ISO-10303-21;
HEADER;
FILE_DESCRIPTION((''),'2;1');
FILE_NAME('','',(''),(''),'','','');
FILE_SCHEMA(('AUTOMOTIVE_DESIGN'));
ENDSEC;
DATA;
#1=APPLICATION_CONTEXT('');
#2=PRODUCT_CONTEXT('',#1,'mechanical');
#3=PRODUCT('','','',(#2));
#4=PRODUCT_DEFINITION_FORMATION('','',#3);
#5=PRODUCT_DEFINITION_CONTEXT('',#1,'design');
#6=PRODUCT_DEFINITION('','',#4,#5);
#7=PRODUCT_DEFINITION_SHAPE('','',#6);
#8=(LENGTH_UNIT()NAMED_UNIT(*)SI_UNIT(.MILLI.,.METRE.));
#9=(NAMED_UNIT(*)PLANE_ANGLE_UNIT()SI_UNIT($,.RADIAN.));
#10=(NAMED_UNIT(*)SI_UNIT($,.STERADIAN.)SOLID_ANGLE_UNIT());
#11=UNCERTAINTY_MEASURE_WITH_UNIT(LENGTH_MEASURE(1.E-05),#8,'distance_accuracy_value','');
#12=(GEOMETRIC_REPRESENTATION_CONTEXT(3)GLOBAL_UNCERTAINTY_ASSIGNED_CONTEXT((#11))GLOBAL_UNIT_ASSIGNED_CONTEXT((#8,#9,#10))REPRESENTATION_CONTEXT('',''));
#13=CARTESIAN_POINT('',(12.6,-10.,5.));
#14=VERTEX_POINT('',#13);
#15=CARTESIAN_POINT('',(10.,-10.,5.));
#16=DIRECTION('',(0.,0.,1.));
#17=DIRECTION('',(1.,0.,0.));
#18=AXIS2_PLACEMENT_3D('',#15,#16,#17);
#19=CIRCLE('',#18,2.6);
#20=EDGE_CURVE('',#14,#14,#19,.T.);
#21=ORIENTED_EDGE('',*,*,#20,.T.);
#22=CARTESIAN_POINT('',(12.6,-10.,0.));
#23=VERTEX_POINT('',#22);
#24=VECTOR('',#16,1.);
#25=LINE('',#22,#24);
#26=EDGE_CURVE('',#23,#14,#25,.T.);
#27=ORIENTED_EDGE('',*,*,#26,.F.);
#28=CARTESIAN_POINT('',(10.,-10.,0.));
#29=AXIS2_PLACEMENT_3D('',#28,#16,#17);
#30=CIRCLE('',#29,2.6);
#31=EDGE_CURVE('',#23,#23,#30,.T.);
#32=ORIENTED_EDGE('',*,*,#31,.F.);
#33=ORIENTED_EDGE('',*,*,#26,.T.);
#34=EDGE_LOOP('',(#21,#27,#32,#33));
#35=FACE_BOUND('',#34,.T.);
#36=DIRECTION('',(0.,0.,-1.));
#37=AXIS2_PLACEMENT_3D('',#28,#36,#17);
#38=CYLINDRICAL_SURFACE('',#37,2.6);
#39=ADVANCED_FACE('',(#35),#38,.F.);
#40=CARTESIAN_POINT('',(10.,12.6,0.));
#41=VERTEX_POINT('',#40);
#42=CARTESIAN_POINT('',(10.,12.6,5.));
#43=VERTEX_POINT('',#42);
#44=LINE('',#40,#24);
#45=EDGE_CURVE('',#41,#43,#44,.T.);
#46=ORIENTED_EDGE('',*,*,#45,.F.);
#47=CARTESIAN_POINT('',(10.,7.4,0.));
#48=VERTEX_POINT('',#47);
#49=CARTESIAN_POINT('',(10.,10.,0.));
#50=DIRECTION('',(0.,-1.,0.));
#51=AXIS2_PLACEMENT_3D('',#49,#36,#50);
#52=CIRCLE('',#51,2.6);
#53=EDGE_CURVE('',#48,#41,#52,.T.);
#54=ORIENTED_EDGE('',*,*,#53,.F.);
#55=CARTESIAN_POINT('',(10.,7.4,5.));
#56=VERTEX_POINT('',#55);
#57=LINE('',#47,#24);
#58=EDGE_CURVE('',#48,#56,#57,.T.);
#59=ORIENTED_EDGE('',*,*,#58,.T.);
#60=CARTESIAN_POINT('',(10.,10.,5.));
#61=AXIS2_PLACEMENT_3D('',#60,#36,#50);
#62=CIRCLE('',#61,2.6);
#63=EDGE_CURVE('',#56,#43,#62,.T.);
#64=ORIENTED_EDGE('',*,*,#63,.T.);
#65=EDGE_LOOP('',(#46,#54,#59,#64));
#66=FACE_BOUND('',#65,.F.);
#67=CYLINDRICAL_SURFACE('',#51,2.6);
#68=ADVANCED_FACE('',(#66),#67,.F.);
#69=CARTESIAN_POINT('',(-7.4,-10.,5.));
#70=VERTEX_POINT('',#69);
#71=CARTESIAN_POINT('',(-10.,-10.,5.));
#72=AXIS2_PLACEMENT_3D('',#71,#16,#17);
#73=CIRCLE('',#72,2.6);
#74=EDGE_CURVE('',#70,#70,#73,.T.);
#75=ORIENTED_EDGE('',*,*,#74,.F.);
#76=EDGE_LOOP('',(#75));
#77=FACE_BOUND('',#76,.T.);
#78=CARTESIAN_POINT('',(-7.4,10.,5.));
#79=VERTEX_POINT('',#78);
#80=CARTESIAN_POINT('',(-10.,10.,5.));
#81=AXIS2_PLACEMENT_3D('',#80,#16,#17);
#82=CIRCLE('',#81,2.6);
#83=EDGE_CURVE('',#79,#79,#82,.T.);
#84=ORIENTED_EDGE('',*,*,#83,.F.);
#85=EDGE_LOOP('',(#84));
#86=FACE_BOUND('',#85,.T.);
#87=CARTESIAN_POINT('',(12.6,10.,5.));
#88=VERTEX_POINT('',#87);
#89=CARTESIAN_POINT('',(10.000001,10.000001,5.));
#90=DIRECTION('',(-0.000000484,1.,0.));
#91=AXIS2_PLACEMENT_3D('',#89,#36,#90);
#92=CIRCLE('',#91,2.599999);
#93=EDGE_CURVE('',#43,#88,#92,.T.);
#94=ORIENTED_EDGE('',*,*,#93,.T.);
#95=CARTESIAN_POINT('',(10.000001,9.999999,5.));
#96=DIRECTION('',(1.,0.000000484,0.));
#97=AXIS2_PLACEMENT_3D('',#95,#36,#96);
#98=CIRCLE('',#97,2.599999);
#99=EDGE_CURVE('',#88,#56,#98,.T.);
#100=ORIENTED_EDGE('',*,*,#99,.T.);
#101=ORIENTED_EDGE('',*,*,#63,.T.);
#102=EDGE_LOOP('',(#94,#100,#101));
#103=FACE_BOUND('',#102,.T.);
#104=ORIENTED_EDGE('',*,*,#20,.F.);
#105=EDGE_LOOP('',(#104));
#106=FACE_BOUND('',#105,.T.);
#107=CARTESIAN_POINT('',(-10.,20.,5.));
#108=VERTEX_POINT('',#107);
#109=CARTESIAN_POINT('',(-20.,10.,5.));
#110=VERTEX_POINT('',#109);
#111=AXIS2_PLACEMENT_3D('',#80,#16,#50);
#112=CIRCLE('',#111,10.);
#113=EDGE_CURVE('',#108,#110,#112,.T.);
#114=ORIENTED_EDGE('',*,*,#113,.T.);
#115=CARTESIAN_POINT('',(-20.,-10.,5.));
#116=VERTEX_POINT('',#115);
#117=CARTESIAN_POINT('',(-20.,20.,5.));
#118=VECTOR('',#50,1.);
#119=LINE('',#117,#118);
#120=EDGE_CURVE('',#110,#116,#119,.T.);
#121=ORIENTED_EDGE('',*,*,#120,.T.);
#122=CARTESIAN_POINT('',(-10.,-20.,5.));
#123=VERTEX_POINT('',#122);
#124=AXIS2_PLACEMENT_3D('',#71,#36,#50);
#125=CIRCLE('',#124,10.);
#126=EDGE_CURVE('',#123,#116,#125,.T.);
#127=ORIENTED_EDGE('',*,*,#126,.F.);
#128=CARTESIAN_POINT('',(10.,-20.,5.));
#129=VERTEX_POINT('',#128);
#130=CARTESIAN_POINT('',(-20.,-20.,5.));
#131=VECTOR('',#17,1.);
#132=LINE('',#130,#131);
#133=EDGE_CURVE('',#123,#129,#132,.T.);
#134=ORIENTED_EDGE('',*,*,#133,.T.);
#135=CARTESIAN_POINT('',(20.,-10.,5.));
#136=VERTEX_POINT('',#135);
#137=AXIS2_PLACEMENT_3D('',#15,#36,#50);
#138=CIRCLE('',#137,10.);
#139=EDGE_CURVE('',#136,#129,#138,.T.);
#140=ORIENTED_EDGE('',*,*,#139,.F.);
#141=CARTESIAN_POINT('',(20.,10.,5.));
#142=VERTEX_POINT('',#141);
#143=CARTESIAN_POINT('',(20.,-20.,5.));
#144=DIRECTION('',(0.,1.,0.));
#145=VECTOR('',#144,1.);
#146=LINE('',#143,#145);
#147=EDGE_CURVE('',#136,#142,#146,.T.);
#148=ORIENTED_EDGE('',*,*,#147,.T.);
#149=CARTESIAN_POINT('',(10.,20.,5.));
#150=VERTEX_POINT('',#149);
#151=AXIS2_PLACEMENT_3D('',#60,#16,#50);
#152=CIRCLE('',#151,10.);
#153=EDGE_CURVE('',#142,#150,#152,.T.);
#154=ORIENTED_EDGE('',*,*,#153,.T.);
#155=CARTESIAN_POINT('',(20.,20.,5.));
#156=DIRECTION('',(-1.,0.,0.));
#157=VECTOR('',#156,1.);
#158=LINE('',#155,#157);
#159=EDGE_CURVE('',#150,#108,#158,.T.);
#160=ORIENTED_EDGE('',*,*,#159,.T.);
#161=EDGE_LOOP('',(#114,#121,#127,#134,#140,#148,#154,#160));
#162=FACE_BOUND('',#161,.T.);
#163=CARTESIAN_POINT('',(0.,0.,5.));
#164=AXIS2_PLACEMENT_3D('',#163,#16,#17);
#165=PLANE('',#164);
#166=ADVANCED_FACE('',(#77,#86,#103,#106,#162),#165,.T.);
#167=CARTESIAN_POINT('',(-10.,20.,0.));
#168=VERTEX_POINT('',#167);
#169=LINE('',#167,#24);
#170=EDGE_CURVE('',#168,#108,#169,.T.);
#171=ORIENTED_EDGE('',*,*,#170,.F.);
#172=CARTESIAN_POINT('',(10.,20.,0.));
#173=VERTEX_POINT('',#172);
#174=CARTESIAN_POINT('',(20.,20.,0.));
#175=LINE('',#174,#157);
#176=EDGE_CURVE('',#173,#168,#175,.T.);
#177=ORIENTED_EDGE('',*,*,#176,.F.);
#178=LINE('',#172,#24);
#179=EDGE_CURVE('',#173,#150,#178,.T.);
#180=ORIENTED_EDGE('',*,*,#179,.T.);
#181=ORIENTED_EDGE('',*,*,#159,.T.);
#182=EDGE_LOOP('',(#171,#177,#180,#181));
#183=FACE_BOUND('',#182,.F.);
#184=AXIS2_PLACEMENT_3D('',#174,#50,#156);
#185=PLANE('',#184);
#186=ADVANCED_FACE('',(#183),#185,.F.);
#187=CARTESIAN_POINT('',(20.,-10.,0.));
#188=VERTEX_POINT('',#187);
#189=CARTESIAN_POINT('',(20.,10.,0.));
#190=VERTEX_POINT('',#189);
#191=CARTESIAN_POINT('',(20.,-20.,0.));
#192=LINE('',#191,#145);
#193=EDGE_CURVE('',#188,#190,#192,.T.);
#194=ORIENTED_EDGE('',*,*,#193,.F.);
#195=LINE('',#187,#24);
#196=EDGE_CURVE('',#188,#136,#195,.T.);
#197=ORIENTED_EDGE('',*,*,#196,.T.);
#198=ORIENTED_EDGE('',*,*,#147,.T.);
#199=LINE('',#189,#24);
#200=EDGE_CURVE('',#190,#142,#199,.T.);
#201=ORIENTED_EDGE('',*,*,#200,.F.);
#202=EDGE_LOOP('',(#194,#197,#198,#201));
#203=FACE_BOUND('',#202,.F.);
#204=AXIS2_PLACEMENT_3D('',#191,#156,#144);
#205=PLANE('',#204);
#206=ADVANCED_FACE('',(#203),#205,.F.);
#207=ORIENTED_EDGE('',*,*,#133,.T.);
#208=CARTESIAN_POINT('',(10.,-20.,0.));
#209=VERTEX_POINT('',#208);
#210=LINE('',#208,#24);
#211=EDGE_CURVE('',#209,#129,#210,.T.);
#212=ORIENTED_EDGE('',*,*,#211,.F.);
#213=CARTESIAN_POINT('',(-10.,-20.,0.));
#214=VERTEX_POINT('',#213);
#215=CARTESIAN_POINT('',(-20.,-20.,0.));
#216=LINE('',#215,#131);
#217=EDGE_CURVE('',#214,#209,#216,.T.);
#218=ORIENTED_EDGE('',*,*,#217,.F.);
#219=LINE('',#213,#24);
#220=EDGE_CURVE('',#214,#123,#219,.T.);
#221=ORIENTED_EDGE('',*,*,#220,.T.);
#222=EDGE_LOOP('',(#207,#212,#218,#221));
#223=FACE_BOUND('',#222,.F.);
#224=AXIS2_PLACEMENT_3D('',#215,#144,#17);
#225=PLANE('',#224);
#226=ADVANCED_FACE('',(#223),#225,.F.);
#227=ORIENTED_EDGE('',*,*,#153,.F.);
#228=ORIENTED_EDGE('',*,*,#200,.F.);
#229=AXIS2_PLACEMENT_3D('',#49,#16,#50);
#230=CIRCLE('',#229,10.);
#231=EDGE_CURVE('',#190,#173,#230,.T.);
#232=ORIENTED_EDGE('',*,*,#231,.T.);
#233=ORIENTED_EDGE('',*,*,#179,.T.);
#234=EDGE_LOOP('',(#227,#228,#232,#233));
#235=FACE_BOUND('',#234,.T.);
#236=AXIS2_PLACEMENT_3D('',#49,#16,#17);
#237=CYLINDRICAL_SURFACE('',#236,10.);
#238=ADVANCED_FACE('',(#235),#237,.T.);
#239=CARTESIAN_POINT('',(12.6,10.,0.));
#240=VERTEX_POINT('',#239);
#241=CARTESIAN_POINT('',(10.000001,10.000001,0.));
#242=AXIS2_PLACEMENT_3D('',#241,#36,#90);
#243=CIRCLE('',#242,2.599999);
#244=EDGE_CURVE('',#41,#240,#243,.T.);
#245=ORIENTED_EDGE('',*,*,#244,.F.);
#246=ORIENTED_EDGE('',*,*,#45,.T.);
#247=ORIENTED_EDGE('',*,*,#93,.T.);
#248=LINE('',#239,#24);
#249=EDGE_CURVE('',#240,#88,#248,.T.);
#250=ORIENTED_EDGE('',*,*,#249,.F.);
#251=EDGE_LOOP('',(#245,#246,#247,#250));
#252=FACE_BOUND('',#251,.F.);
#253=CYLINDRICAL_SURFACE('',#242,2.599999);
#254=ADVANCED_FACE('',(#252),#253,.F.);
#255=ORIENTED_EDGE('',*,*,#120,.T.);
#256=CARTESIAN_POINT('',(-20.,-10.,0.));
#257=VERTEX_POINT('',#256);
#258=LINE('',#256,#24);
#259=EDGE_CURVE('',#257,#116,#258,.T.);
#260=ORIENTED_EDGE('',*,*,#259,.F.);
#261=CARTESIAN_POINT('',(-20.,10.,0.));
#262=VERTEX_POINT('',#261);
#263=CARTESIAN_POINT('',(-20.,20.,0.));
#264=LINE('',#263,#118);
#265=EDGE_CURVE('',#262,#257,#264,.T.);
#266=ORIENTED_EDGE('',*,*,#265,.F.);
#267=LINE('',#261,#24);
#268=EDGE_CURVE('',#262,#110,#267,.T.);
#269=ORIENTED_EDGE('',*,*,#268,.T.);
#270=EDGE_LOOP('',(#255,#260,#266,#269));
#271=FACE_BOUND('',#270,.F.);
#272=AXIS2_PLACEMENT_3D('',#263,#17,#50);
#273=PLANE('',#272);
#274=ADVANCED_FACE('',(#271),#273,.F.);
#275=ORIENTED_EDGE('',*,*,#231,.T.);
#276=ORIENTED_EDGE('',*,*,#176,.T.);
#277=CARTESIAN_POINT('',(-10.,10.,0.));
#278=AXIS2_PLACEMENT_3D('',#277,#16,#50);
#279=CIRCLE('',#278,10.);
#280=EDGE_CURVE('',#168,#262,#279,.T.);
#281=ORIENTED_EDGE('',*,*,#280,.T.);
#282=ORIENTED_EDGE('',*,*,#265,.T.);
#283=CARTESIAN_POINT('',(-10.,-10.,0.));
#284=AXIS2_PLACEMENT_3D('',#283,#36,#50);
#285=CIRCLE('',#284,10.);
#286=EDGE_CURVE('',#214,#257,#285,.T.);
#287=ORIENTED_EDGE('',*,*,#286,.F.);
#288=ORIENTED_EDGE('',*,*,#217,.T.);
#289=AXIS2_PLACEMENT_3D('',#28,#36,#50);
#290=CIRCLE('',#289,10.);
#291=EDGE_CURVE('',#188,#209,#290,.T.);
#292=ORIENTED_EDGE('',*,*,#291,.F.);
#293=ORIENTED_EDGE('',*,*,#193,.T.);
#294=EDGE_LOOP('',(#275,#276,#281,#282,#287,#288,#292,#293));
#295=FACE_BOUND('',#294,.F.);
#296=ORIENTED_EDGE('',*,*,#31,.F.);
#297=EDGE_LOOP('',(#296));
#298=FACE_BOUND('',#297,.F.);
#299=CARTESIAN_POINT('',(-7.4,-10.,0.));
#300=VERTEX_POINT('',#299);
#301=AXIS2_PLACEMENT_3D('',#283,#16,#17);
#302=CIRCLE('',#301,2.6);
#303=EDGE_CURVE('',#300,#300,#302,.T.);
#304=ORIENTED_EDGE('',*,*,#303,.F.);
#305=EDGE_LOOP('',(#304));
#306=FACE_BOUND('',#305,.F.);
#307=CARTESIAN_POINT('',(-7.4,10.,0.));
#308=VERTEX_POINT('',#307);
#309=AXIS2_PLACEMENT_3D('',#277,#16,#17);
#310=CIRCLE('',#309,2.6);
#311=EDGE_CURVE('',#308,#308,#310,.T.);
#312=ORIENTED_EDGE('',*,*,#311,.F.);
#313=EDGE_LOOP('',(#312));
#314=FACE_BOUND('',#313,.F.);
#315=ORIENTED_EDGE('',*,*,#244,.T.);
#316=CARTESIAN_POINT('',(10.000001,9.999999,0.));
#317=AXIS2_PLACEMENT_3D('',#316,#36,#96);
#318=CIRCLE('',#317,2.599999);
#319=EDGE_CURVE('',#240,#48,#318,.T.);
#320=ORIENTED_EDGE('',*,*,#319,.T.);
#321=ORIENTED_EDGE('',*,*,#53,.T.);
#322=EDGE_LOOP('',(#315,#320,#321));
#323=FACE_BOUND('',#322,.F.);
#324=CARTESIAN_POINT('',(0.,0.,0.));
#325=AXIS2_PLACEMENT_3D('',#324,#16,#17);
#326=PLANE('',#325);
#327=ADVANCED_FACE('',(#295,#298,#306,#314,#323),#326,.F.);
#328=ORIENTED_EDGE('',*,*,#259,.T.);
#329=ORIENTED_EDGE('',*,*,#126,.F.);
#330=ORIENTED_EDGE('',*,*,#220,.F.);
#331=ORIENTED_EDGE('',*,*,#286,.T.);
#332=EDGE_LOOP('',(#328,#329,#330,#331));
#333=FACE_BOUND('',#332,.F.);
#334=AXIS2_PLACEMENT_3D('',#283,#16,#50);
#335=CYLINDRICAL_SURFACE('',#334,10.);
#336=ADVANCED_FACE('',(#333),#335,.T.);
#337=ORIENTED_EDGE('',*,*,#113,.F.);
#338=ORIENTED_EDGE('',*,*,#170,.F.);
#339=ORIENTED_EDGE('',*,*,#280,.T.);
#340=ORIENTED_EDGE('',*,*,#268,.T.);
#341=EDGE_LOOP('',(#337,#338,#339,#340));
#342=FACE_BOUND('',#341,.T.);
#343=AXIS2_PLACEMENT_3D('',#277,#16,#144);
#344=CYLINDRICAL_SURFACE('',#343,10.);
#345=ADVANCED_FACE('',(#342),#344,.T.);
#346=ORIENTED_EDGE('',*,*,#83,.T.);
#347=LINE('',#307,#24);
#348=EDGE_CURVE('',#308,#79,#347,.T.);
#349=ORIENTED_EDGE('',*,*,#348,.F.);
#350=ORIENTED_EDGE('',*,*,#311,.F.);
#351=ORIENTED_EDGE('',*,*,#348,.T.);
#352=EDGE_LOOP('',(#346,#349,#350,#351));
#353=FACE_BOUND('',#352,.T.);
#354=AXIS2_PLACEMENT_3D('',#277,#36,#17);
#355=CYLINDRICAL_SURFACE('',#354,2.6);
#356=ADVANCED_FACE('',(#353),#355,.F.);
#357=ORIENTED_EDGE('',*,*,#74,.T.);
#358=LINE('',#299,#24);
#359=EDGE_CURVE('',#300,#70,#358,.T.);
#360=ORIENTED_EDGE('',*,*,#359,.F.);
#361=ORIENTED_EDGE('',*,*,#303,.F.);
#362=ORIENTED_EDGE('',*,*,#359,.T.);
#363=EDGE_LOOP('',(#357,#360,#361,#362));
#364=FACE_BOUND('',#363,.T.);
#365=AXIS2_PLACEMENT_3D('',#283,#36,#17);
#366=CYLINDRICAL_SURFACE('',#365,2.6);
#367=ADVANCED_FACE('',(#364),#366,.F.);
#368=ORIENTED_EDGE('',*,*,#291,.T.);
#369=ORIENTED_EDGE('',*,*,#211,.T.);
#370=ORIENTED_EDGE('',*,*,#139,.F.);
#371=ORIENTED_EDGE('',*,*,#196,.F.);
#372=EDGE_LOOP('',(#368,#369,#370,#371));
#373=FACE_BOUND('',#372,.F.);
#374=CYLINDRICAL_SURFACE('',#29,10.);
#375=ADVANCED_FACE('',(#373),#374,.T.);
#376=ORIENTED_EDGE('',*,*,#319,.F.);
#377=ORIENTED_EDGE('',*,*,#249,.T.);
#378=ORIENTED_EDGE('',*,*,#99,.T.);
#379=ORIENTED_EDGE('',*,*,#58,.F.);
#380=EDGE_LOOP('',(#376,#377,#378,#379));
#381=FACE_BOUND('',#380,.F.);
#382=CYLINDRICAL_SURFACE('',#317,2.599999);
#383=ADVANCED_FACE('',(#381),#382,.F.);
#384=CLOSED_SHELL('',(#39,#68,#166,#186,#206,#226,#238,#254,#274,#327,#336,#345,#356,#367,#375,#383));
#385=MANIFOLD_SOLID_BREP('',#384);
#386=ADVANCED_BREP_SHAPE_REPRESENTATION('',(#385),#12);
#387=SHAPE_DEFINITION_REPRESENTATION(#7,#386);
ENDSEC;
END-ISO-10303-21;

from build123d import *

# Parameters (mm, degrees)
F0_R     = 2.6
F1_DEPTH = 5
F2_R     = 10


with BuildPart() as f1:
    # F0 (on Top) → F1 (new body)
    with BuildSketch(Plane.XY):
        Polygon((20, -20), (20, 20), (10, 20), (-20, 20), (-20, -20), align=None)
        with Locations((-10, -10)):
            Circle(F0_R, mode=Mode.SUBTRACT)
        with Locations((10, -10)):
            Circle(F0_R, mode=Mode.SUBTRACT)
        with Locations((-10, 10)):
            Circle(F0_R, mode=Mode.SUBTRACT)
        with BuildLine():
            ThreePointArc((10, 7.4), (7.4, 10), (10, 12.6))
            ThreePointArc((10, 12.6), (11.838478, 11.838478), (12.6, 10))
            ThreePointArc((12.6, 10), (11.838478, 8.161522), (10, 7.4))
        make_face(mode=Mode.SUBTRACT)
    extrude(amount=F1_DEPTH)

    # F2
    f2_edges = [f1.edges().sort_by_distance(p)[0] for p in [
        (20, -20, 2.5),
        (20, 20, 2.5),
        (-20, -20, 2.5),
        (-20, 20, 2.5),
    ]]
    fillet(f2_edges, radius=F2_R)


solid = f1.part
